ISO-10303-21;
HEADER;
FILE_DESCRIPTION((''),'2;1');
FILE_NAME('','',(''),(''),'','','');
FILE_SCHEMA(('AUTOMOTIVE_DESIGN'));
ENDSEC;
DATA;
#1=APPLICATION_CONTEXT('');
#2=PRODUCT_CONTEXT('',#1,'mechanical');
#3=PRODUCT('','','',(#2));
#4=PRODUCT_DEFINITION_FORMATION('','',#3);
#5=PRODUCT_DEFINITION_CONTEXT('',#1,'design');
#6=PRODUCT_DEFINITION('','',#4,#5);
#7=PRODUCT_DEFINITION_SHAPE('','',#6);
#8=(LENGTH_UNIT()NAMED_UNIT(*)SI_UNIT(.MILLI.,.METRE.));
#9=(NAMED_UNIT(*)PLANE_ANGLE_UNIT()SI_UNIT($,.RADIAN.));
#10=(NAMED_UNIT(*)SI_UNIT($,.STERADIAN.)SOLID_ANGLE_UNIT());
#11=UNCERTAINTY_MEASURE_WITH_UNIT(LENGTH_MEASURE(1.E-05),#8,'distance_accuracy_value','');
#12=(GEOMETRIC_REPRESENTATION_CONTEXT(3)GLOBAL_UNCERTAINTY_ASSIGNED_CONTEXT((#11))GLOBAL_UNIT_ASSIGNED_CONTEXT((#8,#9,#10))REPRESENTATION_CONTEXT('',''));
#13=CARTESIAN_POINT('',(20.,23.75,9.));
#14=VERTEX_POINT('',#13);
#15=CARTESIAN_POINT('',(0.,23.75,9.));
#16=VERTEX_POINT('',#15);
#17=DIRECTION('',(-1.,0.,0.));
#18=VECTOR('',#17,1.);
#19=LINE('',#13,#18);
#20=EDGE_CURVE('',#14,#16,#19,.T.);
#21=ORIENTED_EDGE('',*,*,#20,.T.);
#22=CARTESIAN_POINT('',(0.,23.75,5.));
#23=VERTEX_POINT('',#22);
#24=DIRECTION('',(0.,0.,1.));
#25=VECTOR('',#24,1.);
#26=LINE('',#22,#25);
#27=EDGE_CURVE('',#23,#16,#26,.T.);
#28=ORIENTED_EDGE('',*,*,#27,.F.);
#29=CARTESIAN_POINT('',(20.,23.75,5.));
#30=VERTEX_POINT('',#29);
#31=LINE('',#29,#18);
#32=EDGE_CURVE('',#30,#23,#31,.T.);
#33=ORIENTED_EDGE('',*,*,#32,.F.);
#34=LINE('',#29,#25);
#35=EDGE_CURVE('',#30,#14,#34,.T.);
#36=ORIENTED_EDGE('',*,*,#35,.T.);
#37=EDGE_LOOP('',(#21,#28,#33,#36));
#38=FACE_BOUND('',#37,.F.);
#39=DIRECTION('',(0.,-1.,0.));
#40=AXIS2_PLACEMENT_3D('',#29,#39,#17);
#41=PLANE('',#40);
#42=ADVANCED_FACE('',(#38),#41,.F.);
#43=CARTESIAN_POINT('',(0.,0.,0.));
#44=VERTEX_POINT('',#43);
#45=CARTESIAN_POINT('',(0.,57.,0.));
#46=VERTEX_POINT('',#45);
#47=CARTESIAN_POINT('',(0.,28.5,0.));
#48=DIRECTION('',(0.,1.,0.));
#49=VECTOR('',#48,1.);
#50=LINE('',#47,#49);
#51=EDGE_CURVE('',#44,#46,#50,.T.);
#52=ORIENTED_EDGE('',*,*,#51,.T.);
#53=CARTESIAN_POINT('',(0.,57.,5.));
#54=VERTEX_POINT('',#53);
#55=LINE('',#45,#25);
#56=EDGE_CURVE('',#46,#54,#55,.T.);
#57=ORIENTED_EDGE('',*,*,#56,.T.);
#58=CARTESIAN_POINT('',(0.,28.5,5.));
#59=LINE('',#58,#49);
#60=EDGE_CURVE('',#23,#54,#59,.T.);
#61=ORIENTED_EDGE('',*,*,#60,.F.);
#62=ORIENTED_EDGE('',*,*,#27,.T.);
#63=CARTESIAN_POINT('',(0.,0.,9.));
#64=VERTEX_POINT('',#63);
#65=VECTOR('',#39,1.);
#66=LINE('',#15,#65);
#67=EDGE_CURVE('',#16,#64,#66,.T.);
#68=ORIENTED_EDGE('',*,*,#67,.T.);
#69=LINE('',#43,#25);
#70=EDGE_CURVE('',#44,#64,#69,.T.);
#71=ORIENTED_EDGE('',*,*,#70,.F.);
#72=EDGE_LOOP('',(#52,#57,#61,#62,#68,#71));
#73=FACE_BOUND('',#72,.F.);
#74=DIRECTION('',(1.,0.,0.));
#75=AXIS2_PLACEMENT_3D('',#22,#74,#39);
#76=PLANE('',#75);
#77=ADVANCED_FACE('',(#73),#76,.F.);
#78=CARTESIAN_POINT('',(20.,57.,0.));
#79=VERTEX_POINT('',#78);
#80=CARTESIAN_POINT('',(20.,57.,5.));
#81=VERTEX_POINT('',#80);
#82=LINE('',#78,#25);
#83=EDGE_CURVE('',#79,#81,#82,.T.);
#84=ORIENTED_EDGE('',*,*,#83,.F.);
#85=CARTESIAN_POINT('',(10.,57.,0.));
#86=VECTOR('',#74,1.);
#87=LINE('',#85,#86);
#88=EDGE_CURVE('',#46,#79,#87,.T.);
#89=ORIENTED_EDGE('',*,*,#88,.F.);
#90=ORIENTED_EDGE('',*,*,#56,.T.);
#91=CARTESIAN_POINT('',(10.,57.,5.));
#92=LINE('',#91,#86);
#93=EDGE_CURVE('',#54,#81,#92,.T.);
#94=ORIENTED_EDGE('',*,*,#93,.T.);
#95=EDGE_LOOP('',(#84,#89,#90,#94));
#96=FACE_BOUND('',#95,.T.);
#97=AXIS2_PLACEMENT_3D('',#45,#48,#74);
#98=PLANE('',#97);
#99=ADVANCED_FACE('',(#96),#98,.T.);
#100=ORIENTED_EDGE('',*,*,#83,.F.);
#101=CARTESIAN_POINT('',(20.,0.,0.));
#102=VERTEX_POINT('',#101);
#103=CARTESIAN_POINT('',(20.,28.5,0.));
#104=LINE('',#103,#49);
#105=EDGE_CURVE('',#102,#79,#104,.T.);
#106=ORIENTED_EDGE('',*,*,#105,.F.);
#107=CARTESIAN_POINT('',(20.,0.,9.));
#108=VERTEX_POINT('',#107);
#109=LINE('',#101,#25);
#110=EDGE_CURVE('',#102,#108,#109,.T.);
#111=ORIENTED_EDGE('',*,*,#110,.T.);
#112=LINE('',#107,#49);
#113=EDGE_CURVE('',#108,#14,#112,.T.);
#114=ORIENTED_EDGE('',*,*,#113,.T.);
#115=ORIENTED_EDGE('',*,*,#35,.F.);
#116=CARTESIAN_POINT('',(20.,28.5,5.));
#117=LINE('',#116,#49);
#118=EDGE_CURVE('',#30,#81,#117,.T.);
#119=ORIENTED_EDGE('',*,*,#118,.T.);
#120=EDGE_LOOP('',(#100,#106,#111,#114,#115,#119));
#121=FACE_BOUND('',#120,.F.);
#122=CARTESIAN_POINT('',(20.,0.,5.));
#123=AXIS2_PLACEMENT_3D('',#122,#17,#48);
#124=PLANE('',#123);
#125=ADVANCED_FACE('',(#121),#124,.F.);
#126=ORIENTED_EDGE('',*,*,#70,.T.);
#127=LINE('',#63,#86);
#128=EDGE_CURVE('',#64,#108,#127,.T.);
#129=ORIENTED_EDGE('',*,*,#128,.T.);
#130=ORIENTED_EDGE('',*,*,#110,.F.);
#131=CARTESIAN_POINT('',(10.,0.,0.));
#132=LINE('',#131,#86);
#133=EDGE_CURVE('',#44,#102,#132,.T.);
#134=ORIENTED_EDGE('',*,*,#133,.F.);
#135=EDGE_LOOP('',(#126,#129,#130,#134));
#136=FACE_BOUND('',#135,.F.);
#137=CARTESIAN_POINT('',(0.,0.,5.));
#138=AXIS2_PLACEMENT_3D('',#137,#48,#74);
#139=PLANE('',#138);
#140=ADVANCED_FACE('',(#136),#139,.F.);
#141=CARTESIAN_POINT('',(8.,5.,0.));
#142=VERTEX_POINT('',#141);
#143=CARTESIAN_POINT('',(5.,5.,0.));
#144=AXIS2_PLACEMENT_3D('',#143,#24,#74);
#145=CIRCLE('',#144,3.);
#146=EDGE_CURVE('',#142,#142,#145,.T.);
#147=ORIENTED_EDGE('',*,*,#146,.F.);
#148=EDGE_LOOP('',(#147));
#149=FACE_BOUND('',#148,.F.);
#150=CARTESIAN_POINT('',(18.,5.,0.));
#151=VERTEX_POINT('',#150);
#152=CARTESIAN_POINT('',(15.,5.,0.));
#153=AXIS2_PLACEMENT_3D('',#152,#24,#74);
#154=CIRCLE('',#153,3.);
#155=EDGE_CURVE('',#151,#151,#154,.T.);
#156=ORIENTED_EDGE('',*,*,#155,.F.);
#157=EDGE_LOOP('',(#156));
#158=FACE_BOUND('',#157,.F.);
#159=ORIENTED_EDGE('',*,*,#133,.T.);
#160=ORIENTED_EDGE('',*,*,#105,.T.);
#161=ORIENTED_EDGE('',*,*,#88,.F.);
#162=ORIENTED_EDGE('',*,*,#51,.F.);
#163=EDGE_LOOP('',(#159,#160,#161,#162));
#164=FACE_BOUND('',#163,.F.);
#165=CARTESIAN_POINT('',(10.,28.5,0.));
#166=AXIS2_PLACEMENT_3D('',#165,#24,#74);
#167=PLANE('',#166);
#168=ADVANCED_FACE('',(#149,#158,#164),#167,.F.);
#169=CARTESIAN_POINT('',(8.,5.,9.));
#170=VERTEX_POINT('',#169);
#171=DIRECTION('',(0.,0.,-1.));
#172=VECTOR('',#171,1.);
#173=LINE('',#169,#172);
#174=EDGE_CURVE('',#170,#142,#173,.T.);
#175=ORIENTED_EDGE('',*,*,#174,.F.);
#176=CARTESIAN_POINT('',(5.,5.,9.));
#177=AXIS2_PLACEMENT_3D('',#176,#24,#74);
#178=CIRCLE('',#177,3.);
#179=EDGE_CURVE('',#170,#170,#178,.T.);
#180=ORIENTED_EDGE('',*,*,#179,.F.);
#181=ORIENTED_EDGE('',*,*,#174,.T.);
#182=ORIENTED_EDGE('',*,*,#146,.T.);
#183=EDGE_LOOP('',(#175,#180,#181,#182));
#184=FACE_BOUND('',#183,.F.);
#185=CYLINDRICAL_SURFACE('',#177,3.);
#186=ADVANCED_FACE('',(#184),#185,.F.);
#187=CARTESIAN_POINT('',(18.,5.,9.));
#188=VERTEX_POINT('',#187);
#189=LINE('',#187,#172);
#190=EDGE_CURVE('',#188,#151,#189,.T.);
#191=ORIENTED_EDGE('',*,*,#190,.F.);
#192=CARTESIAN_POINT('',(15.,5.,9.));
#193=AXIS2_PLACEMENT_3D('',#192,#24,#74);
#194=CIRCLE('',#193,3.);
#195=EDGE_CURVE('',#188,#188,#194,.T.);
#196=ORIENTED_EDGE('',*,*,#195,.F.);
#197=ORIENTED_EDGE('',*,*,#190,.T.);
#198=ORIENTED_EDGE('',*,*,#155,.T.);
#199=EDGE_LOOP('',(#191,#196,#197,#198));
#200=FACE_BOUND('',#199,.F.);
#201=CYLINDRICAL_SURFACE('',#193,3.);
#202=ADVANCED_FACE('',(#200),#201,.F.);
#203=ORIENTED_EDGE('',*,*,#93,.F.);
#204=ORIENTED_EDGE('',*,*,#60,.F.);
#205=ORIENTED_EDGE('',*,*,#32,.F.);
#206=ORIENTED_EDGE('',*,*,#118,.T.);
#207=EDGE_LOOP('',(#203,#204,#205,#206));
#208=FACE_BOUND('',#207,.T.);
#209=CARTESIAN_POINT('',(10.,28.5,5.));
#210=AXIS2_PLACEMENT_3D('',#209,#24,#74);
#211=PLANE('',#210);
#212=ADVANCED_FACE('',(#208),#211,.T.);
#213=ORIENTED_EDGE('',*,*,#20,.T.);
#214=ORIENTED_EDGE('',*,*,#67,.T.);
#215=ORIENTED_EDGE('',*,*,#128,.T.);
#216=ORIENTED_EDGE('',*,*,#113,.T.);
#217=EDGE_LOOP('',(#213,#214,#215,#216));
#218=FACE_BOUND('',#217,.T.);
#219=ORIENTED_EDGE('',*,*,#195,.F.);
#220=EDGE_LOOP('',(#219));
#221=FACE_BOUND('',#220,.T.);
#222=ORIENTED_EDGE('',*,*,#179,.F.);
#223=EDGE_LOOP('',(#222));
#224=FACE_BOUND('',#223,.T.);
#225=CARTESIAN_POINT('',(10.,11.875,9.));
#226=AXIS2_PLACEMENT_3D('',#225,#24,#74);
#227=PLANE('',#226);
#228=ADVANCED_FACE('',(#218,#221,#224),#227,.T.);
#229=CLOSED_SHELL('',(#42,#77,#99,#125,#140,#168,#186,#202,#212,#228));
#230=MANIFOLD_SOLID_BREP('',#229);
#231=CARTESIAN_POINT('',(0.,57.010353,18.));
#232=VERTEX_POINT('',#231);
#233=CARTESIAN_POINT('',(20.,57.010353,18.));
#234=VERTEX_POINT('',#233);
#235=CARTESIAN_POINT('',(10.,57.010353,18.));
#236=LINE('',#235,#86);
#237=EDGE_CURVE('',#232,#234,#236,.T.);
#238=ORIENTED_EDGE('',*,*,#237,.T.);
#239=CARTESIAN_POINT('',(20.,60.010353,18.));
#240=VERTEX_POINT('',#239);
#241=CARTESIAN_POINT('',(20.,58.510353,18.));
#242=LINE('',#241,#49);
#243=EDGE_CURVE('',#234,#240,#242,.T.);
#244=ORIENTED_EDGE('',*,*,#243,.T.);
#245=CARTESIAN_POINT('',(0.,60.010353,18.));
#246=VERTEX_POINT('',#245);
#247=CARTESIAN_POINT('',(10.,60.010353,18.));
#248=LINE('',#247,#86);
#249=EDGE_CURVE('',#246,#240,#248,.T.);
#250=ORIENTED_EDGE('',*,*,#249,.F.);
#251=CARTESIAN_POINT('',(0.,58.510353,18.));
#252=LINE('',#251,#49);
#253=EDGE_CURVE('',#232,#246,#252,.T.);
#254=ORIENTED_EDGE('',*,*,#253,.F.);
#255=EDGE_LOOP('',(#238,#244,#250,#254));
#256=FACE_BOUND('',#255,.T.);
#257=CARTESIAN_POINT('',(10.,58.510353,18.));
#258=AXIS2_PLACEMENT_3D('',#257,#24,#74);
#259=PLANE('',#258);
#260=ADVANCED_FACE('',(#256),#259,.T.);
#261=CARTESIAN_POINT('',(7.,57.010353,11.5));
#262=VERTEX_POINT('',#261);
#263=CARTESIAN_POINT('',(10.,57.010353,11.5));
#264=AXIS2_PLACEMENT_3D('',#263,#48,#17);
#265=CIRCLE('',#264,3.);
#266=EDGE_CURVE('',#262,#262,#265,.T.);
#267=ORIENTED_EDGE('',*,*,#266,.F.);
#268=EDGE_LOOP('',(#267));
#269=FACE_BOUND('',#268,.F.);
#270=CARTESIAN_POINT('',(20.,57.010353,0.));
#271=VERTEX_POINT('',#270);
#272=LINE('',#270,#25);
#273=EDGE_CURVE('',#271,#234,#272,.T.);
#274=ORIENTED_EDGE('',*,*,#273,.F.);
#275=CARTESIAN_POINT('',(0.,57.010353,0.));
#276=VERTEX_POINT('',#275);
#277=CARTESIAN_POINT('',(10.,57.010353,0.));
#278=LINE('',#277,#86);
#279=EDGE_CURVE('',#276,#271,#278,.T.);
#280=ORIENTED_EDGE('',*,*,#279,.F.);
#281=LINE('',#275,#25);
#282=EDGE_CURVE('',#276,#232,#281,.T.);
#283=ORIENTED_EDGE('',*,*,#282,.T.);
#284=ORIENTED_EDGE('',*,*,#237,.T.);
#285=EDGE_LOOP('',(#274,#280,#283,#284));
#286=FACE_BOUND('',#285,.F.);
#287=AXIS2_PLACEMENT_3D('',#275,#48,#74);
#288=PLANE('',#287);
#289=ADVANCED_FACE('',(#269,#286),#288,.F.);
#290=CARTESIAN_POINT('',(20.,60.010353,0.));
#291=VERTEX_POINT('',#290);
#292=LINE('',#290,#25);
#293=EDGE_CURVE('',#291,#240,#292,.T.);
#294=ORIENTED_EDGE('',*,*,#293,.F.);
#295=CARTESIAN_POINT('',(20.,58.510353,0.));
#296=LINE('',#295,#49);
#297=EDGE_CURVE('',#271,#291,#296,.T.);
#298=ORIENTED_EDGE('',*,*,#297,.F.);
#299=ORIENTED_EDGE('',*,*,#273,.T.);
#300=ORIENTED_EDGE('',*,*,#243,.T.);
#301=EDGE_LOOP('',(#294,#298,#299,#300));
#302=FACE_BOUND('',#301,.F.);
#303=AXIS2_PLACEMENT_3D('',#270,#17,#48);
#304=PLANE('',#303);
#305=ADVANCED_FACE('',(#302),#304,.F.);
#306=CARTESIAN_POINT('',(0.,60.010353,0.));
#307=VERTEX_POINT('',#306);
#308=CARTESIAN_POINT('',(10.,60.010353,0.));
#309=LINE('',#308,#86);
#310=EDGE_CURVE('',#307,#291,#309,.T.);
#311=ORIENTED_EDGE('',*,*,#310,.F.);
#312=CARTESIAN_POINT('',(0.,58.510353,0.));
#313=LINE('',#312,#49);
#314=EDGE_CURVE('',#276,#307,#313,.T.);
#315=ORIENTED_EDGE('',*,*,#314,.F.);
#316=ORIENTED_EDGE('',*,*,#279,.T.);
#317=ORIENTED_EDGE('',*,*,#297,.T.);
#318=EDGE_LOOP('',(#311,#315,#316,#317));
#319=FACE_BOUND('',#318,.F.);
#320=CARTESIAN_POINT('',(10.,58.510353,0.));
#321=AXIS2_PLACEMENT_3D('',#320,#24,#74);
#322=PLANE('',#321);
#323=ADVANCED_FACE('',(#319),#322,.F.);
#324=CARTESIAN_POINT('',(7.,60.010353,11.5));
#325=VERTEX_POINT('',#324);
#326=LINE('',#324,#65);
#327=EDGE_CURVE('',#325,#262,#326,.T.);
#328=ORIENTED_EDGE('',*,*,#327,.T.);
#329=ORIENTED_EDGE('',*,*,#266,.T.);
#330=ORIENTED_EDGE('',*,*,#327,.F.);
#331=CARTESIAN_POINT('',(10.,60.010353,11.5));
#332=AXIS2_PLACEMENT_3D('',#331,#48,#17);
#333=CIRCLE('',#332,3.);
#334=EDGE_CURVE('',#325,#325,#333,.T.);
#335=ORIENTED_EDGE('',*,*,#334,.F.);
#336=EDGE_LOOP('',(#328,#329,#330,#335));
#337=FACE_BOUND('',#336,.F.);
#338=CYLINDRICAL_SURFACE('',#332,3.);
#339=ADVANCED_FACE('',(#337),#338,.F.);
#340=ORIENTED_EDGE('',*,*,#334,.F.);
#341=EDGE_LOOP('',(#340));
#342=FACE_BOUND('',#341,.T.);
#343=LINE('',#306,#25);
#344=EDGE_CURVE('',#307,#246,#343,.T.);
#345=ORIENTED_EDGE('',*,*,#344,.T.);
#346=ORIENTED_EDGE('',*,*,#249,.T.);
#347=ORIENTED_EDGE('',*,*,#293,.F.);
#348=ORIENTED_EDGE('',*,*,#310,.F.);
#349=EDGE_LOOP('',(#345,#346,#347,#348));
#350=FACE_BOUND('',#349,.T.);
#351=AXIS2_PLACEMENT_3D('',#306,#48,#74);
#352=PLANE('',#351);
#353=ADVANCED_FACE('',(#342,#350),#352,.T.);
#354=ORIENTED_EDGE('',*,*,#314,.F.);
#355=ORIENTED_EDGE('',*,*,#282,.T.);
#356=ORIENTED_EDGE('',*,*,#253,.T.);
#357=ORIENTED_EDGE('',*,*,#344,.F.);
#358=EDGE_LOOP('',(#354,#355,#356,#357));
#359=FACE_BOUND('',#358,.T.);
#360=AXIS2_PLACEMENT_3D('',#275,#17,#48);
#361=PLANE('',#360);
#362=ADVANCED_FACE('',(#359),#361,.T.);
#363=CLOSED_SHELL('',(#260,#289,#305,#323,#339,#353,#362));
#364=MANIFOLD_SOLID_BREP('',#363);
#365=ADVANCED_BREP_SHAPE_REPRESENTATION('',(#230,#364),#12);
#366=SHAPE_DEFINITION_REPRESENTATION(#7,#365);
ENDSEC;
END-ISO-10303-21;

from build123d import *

# Parameters (mm, degrees)
F0_W     = 20
F0_H     = 57
F1_DEPTH = 5
F2_W     = 20
F2_H     = 3
F3_DEPTH = 18
F4_R     = 3
F5_DEPTH = 10
F7_DEPTH = 4
F8_R     = 3
F9_DEPTH = 25


with BuildPart() as f1:
    # F0 (on Top) → F1 (new body)
    with BuildSketch(Plane.XY):
        with Locations((10, 28.5)):
            Rectangle(F0_W, F0_H)
    extrude(amount=F1_DEPTH)

    # F6 (on face) → F7 (join)
    with BuildSketch(Plane.XY.offset(5)):
        Polygon((0, 23.75), (0, 0), (20, 0), (20, 13.944925), (20, 23.75), align=None)
    extrude(amount=F7_DEPTH)

    # F8 (on face) → F9 (cut)
    with BuildSketch(Plane.XY.offset(9)):
        with Locations((5, 5)):
            Circle(F8_R)
        with Locations((15, 5)):
            Circle(F8_R)
    extrude(amount=-F9_DEPTH, mode=Mode.SUBTRACT)


with BuildPart() as f3:
    # F2 (on Top) → F3 (new body)
    with BuildSketch(Plane.XY):
        with Locations((10, 58.510353)):
            Rectangle(F2_W, F2_H)
    extrude(amount=F3_DEPTH)

    # F4 (on face) → F5 (cut)
    with BuildSketch(Plane(origin=(0, 60.010353, 0), x_dir=(-1, 0, 0), z_dir=(0, 1, 0))):
        with Locations((-10, 11.5)):
            Circle(F4_R)
    extrude(amount=-F5_DEPTH, mode=Mode.SUBTRACT)


solid = Compound([f1.part, f3.part])
